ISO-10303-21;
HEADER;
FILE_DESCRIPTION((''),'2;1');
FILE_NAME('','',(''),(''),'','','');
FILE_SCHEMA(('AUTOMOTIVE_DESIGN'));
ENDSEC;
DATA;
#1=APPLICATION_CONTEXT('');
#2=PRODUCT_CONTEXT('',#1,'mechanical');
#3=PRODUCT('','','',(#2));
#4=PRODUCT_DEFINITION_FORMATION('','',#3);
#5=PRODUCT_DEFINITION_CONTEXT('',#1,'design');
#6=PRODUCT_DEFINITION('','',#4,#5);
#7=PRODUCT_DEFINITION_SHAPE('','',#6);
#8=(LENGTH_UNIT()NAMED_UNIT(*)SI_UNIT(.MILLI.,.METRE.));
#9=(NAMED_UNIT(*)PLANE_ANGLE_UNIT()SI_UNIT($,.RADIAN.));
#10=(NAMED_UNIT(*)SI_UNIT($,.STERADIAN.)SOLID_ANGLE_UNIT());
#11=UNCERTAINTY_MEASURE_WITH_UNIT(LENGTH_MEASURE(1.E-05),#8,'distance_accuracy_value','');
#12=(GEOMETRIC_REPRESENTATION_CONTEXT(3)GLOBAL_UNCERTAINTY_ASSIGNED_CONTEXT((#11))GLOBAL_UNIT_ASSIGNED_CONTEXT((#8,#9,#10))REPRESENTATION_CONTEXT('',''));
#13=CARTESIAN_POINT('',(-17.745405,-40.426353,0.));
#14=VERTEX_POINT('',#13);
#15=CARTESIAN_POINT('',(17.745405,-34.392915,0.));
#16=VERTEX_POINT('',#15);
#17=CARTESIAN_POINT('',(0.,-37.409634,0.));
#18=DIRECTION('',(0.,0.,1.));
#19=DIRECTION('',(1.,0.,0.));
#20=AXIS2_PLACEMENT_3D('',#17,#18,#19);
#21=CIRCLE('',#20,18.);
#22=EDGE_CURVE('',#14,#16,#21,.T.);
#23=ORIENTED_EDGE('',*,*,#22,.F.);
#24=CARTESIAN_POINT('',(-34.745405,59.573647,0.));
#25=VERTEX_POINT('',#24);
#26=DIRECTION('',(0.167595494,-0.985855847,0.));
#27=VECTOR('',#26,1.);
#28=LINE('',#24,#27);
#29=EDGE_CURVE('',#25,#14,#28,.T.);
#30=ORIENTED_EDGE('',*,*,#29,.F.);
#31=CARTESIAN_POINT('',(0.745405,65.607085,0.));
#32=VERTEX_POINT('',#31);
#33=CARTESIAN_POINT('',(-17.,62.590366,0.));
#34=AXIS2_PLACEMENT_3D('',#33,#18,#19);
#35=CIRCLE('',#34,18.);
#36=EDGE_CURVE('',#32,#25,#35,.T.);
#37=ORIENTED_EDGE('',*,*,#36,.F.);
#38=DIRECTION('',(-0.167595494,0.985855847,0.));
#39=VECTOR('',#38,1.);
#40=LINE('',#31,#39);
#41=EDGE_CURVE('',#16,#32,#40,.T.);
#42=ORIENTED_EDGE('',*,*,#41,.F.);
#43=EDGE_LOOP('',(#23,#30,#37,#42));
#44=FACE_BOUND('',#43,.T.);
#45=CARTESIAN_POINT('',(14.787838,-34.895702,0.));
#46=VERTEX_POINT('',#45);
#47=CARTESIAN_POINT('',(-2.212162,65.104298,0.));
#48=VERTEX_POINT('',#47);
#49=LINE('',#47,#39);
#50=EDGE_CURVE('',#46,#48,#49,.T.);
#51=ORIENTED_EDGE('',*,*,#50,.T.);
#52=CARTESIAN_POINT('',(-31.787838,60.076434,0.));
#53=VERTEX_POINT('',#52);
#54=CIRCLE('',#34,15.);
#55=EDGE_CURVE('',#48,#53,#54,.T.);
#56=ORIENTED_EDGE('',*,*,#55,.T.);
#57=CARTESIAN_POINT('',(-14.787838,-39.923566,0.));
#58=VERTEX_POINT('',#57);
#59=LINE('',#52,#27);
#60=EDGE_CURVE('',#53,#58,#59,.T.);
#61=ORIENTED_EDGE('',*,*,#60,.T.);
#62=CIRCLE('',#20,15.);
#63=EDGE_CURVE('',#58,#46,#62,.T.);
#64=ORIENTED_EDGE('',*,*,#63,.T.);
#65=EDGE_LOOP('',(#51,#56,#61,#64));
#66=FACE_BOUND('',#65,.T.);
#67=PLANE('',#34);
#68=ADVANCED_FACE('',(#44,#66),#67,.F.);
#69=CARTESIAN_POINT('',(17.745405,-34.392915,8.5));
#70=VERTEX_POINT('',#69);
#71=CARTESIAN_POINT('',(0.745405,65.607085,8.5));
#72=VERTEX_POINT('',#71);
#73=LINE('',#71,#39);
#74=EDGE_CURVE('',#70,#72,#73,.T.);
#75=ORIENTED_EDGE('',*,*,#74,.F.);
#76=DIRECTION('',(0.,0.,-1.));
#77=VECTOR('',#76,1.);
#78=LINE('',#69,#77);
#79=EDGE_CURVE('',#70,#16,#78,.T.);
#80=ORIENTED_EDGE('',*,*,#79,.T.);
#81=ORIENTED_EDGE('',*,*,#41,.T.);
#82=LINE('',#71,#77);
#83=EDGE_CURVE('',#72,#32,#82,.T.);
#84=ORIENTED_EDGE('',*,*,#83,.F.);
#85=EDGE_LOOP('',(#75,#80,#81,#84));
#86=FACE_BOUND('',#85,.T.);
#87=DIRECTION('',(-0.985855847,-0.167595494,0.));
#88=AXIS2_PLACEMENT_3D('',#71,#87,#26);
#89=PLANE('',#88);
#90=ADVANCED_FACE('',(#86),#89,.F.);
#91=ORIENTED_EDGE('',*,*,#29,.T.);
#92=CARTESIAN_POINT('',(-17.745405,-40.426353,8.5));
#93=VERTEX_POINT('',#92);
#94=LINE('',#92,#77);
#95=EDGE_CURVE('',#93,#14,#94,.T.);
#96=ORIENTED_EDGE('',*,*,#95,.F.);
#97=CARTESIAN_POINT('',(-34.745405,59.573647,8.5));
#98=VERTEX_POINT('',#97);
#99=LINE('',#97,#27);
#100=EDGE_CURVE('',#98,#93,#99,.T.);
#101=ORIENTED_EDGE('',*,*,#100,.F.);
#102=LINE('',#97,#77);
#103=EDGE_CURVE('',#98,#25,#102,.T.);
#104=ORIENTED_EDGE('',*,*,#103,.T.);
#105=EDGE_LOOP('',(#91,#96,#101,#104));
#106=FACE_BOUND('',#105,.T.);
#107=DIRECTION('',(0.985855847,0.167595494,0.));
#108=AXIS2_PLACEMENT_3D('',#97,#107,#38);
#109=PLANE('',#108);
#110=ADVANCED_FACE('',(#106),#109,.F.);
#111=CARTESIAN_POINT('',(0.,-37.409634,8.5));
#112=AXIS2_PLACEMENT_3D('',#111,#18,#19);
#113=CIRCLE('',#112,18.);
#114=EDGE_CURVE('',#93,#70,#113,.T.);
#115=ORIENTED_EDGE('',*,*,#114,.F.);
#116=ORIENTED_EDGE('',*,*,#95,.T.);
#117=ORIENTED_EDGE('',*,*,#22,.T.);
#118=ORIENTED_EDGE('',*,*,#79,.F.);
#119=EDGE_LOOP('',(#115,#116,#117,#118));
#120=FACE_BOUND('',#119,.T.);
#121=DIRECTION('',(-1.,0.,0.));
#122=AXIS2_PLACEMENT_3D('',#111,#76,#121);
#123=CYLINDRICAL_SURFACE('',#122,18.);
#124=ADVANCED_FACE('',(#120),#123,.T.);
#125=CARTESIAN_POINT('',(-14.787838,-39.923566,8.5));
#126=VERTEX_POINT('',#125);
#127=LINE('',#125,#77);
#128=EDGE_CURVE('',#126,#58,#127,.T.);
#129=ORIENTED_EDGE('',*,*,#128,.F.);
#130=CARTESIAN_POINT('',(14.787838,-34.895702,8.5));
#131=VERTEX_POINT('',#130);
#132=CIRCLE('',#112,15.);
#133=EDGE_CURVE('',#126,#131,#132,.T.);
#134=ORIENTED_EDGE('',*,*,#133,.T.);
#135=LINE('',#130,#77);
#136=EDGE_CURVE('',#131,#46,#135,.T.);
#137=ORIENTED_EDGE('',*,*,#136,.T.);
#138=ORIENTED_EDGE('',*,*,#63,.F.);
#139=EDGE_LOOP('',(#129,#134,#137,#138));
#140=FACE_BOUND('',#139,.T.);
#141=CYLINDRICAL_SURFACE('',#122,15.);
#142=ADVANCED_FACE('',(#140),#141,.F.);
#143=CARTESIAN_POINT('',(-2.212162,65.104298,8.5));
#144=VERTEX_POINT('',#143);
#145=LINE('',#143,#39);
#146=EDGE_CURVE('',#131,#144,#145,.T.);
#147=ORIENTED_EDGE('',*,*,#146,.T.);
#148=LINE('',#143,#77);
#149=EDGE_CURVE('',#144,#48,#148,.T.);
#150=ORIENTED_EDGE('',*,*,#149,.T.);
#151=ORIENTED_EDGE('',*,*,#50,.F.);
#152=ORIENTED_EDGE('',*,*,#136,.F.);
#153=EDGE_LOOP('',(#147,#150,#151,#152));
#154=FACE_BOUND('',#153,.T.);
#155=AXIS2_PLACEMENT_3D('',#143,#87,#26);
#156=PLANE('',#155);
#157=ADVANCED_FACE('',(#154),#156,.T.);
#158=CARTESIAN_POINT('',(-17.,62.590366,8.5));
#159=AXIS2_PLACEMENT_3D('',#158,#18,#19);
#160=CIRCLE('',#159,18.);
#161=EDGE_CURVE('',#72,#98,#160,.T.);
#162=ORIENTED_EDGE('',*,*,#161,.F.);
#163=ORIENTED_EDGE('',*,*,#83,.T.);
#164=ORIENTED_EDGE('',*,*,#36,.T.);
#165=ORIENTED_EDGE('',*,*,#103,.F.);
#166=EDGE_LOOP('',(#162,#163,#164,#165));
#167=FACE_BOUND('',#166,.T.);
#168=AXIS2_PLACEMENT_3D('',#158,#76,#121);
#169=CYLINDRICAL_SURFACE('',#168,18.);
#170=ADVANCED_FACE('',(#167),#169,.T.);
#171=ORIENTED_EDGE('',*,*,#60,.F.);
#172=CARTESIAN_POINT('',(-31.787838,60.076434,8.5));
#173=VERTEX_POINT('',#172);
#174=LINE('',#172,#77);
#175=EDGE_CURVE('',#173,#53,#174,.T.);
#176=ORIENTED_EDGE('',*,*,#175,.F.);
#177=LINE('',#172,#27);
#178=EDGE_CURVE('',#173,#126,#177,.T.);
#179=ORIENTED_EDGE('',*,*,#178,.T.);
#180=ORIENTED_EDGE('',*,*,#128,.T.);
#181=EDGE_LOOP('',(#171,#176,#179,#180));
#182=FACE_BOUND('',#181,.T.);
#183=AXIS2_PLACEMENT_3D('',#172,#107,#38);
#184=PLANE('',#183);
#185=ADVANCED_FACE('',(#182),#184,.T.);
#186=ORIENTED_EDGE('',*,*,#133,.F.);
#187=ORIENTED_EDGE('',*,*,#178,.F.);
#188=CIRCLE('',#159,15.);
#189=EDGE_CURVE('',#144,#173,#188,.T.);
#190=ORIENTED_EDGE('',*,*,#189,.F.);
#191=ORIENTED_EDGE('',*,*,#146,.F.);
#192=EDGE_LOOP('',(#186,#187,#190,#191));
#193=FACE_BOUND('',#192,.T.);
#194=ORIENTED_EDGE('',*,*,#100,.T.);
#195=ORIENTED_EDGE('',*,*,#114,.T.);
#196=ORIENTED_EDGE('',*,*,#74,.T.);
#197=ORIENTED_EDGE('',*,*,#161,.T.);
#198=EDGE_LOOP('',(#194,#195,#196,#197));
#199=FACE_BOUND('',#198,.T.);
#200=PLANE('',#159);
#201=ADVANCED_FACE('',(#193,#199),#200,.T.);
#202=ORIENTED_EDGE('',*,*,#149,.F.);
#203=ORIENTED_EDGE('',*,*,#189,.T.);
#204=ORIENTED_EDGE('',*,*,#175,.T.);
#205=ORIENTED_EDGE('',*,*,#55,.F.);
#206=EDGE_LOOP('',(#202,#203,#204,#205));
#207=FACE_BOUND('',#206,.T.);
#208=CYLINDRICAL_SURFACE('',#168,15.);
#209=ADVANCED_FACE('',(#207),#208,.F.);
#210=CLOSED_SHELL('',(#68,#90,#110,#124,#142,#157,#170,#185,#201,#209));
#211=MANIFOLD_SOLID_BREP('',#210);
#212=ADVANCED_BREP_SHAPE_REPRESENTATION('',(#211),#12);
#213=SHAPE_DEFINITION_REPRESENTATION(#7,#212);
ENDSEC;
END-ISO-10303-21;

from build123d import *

# Parameters (mm, degrees)
EXTRUDE_1_DEPTH = 8.5


with BuildPart() as part:
    # 草图1 → 凸台-拉伸1 (new body)
    with BuildSketch(Plane.XY):
        with BuildLine():
            Line((-34.74540524, 59.573647069), (-17.74540524, -40.426352931))
            ThreePointArc((-17.74540524, -40.426352931), (3.016718891, -55.155039281), (17.74540524, -34.39291515))
            Line((17.74540524, -34.39291515), (0.74540524, 65.60708485))
            ThreePointArc((0.74540524, 65.60708485), (-20.016718891, 80.335771199), (-34.74540524, 59.573647069))
        make_face()
        with BuildLine():
            Line((-2.2121623, 65.104298368), (14.7878377, -34.895701632))
            ThreePointArc((14.7878377, -34.895701632), (2.513932409, -52.197471741), (-14.7878377, -39.92356645))
            Line((-14.7878377, -39.92356645), (-31.7878377, 60.07643355))
            ThreePointArc((-31.7878377, 60.07643355), (-19.513932409, 77.378203659), (-2.2121623, 65.104298368))
        make_face(mode=Mode.SUBTRACT)
    extrude(amount=EXTRUDE_1_DEPTH)


solid = part.part
